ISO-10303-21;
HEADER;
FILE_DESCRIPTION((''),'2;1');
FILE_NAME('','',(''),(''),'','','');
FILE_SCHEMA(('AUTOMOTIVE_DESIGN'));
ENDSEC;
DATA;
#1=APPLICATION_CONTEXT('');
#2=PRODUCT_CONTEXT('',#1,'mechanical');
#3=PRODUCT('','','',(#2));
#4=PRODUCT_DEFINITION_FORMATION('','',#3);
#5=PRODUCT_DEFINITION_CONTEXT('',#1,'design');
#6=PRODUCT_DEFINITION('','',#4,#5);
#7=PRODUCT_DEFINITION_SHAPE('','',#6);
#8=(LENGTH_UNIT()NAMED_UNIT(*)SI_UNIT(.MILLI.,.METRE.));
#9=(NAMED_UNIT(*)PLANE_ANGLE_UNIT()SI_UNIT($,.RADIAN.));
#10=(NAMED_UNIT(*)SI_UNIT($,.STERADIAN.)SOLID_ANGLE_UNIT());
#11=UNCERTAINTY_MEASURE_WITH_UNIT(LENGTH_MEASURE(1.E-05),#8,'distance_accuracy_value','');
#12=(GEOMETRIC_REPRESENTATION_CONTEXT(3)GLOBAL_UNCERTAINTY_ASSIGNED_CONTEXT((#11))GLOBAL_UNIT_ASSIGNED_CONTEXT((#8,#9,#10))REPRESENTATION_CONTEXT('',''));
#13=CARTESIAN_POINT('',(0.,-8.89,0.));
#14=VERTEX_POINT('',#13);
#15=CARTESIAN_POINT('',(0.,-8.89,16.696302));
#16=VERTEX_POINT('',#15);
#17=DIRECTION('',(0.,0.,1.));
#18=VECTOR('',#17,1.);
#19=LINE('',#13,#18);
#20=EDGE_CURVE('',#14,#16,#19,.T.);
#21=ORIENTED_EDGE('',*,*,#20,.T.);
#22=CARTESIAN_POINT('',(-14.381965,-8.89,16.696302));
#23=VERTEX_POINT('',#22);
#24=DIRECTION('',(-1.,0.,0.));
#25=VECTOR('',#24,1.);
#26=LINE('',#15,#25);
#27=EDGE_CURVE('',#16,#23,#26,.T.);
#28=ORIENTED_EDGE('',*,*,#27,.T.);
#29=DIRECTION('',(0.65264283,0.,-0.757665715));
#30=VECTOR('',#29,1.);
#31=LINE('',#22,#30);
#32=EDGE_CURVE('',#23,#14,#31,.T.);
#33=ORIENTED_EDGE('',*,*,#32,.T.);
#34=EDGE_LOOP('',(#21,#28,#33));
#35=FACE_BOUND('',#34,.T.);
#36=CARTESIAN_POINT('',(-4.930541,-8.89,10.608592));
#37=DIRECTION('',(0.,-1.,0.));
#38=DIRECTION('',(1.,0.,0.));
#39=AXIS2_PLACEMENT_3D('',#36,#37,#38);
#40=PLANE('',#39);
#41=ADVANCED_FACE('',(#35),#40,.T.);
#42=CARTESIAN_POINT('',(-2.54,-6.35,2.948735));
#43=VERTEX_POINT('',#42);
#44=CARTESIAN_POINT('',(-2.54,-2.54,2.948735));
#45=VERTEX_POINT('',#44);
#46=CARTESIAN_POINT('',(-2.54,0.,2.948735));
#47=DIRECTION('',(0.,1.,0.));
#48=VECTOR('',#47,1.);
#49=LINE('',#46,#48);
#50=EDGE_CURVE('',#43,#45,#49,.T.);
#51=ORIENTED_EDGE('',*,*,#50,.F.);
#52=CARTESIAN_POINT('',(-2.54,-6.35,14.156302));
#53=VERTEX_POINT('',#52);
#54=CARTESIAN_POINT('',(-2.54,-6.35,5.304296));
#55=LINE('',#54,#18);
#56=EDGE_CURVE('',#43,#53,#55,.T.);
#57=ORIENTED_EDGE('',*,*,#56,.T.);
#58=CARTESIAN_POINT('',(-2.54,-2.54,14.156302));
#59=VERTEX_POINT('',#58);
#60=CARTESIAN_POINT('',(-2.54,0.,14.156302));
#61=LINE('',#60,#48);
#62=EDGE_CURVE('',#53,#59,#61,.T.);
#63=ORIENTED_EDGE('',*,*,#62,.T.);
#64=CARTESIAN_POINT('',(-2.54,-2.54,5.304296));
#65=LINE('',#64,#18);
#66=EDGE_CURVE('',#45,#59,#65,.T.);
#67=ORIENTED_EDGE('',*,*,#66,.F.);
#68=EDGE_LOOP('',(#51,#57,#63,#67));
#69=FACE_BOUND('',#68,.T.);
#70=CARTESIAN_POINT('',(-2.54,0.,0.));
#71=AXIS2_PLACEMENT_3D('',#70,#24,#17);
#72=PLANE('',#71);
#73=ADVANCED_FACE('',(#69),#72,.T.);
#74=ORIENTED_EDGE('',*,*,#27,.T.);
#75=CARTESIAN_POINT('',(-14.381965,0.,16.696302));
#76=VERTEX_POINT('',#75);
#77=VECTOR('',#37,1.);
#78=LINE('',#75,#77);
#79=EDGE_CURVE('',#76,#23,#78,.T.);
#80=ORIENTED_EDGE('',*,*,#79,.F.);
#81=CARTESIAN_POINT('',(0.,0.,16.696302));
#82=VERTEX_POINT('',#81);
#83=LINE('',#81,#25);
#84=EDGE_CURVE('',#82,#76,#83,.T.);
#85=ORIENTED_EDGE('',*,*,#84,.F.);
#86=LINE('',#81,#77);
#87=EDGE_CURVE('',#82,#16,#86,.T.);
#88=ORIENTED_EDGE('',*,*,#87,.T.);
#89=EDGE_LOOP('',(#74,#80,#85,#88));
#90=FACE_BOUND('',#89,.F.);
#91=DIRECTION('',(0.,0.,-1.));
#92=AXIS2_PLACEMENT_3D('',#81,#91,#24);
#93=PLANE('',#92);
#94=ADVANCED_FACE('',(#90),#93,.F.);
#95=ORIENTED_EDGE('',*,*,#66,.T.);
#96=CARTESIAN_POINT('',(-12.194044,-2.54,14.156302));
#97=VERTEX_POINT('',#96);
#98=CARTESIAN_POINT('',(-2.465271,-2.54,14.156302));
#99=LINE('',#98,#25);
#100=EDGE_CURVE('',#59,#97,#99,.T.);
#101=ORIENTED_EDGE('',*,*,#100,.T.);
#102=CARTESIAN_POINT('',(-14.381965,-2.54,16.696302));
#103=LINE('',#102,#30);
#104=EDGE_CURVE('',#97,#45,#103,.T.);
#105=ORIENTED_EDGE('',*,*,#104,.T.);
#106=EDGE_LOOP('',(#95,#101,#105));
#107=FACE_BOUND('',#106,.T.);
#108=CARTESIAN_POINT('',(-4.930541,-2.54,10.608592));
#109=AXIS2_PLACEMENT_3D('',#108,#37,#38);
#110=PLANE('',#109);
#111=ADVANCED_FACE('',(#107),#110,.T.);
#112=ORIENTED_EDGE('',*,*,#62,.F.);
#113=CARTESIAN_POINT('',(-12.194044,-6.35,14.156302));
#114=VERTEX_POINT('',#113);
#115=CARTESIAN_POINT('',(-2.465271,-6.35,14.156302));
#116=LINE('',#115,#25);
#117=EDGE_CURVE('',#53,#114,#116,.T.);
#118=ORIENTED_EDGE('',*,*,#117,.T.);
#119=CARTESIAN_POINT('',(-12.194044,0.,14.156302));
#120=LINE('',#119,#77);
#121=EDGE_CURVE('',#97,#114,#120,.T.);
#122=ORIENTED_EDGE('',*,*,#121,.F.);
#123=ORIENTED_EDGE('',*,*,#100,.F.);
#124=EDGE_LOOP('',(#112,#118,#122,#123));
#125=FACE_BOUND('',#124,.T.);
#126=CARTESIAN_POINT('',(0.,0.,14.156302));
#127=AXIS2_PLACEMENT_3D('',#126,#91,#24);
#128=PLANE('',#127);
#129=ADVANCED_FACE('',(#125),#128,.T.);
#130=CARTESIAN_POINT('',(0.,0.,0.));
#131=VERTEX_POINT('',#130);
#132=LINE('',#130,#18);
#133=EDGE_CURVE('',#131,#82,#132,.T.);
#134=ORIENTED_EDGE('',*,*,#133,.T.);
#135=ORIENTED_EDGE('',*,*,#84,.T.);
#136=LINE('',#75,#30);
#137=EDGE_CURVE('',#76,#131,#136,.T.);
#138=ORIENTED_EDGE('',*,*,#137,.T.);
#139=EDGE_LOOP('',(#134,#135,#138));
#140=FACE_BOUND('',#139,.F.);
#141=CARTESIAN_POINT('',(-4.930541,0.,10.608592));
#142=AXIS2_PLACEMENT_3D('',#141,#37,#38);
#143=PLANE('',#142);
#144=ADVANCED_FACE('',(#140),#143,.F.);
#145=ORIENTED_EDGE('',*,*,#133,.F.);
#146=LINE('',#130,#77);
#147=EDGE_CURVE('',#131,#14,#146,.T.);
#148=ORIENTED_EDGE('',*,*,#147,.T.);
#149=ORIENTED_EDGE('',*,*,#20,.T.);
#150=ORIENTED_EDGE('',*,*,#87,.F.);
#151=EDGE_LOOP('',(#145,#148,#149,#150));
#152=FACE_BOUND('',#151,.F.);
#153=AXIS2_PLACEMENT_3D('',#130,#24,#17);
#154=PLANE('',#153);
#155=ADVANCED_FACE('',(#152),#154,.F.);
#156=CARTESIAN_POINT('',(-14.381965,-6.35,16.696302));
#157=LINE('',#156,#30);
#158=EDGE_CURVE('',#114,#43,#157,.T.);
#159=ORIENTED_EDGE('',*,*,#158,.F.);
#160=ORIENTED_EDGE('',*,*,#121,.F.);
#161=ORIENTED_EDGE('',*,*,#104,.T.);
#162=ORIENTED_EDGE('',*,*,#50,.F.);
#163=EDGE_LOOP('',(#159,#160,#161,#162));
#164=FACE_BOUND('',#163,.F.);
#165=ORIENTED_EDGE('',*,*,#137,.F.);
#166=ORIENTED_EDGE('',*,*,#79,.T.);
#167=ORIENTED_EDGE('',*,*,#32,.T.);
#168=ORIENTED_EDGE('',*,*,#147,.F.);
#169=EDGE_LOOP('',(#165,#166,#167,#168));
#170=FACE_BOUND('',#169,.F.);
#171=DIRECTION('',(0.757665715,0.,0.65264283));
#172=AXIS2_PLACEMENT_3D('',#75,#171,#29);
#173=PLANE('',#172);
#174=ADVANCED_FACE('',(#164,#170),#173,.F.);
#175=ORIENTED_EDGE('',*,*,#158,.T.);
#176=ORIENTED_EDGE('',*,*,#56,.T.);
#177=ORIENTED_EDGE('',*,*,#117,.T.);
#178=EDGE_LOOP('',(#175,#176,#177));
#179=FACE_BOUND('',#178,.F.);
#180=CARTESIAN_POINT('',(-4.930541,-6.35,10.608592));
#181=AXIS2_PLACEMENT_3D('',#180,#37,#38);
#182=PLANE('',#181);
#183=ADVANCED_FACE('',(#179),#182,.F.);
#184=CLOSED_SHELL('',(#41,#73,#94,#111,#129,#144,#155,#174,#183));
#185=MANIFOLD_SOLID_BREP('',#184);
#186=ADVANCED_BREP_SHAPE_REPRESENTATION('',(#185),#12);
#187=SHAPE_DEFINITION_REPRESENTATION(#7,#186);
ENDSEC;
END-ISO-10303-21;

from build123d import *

# Parameters (mm, degrees)
F1_DEPTH = 8.89
F2_T     = -2.54


with BuildPart() as f1:
    # F0 (on Front) → F1 (new body)
    with BuildSketch(Plane.XZ):
        Polygon((-14.381965, 16.696302), (0, 0), (0, 16.696302), align=None)
    extrude(amount=F1_DEPTH)

    # F2
    f2_openings = [f1.faces().sort_by_distance(p)[0] for p in [
        (-7.190982, -4.445, 8.348151),
    ]]
    offset(amount=F2_T, openings=f2_openings)


solid = f1.part
